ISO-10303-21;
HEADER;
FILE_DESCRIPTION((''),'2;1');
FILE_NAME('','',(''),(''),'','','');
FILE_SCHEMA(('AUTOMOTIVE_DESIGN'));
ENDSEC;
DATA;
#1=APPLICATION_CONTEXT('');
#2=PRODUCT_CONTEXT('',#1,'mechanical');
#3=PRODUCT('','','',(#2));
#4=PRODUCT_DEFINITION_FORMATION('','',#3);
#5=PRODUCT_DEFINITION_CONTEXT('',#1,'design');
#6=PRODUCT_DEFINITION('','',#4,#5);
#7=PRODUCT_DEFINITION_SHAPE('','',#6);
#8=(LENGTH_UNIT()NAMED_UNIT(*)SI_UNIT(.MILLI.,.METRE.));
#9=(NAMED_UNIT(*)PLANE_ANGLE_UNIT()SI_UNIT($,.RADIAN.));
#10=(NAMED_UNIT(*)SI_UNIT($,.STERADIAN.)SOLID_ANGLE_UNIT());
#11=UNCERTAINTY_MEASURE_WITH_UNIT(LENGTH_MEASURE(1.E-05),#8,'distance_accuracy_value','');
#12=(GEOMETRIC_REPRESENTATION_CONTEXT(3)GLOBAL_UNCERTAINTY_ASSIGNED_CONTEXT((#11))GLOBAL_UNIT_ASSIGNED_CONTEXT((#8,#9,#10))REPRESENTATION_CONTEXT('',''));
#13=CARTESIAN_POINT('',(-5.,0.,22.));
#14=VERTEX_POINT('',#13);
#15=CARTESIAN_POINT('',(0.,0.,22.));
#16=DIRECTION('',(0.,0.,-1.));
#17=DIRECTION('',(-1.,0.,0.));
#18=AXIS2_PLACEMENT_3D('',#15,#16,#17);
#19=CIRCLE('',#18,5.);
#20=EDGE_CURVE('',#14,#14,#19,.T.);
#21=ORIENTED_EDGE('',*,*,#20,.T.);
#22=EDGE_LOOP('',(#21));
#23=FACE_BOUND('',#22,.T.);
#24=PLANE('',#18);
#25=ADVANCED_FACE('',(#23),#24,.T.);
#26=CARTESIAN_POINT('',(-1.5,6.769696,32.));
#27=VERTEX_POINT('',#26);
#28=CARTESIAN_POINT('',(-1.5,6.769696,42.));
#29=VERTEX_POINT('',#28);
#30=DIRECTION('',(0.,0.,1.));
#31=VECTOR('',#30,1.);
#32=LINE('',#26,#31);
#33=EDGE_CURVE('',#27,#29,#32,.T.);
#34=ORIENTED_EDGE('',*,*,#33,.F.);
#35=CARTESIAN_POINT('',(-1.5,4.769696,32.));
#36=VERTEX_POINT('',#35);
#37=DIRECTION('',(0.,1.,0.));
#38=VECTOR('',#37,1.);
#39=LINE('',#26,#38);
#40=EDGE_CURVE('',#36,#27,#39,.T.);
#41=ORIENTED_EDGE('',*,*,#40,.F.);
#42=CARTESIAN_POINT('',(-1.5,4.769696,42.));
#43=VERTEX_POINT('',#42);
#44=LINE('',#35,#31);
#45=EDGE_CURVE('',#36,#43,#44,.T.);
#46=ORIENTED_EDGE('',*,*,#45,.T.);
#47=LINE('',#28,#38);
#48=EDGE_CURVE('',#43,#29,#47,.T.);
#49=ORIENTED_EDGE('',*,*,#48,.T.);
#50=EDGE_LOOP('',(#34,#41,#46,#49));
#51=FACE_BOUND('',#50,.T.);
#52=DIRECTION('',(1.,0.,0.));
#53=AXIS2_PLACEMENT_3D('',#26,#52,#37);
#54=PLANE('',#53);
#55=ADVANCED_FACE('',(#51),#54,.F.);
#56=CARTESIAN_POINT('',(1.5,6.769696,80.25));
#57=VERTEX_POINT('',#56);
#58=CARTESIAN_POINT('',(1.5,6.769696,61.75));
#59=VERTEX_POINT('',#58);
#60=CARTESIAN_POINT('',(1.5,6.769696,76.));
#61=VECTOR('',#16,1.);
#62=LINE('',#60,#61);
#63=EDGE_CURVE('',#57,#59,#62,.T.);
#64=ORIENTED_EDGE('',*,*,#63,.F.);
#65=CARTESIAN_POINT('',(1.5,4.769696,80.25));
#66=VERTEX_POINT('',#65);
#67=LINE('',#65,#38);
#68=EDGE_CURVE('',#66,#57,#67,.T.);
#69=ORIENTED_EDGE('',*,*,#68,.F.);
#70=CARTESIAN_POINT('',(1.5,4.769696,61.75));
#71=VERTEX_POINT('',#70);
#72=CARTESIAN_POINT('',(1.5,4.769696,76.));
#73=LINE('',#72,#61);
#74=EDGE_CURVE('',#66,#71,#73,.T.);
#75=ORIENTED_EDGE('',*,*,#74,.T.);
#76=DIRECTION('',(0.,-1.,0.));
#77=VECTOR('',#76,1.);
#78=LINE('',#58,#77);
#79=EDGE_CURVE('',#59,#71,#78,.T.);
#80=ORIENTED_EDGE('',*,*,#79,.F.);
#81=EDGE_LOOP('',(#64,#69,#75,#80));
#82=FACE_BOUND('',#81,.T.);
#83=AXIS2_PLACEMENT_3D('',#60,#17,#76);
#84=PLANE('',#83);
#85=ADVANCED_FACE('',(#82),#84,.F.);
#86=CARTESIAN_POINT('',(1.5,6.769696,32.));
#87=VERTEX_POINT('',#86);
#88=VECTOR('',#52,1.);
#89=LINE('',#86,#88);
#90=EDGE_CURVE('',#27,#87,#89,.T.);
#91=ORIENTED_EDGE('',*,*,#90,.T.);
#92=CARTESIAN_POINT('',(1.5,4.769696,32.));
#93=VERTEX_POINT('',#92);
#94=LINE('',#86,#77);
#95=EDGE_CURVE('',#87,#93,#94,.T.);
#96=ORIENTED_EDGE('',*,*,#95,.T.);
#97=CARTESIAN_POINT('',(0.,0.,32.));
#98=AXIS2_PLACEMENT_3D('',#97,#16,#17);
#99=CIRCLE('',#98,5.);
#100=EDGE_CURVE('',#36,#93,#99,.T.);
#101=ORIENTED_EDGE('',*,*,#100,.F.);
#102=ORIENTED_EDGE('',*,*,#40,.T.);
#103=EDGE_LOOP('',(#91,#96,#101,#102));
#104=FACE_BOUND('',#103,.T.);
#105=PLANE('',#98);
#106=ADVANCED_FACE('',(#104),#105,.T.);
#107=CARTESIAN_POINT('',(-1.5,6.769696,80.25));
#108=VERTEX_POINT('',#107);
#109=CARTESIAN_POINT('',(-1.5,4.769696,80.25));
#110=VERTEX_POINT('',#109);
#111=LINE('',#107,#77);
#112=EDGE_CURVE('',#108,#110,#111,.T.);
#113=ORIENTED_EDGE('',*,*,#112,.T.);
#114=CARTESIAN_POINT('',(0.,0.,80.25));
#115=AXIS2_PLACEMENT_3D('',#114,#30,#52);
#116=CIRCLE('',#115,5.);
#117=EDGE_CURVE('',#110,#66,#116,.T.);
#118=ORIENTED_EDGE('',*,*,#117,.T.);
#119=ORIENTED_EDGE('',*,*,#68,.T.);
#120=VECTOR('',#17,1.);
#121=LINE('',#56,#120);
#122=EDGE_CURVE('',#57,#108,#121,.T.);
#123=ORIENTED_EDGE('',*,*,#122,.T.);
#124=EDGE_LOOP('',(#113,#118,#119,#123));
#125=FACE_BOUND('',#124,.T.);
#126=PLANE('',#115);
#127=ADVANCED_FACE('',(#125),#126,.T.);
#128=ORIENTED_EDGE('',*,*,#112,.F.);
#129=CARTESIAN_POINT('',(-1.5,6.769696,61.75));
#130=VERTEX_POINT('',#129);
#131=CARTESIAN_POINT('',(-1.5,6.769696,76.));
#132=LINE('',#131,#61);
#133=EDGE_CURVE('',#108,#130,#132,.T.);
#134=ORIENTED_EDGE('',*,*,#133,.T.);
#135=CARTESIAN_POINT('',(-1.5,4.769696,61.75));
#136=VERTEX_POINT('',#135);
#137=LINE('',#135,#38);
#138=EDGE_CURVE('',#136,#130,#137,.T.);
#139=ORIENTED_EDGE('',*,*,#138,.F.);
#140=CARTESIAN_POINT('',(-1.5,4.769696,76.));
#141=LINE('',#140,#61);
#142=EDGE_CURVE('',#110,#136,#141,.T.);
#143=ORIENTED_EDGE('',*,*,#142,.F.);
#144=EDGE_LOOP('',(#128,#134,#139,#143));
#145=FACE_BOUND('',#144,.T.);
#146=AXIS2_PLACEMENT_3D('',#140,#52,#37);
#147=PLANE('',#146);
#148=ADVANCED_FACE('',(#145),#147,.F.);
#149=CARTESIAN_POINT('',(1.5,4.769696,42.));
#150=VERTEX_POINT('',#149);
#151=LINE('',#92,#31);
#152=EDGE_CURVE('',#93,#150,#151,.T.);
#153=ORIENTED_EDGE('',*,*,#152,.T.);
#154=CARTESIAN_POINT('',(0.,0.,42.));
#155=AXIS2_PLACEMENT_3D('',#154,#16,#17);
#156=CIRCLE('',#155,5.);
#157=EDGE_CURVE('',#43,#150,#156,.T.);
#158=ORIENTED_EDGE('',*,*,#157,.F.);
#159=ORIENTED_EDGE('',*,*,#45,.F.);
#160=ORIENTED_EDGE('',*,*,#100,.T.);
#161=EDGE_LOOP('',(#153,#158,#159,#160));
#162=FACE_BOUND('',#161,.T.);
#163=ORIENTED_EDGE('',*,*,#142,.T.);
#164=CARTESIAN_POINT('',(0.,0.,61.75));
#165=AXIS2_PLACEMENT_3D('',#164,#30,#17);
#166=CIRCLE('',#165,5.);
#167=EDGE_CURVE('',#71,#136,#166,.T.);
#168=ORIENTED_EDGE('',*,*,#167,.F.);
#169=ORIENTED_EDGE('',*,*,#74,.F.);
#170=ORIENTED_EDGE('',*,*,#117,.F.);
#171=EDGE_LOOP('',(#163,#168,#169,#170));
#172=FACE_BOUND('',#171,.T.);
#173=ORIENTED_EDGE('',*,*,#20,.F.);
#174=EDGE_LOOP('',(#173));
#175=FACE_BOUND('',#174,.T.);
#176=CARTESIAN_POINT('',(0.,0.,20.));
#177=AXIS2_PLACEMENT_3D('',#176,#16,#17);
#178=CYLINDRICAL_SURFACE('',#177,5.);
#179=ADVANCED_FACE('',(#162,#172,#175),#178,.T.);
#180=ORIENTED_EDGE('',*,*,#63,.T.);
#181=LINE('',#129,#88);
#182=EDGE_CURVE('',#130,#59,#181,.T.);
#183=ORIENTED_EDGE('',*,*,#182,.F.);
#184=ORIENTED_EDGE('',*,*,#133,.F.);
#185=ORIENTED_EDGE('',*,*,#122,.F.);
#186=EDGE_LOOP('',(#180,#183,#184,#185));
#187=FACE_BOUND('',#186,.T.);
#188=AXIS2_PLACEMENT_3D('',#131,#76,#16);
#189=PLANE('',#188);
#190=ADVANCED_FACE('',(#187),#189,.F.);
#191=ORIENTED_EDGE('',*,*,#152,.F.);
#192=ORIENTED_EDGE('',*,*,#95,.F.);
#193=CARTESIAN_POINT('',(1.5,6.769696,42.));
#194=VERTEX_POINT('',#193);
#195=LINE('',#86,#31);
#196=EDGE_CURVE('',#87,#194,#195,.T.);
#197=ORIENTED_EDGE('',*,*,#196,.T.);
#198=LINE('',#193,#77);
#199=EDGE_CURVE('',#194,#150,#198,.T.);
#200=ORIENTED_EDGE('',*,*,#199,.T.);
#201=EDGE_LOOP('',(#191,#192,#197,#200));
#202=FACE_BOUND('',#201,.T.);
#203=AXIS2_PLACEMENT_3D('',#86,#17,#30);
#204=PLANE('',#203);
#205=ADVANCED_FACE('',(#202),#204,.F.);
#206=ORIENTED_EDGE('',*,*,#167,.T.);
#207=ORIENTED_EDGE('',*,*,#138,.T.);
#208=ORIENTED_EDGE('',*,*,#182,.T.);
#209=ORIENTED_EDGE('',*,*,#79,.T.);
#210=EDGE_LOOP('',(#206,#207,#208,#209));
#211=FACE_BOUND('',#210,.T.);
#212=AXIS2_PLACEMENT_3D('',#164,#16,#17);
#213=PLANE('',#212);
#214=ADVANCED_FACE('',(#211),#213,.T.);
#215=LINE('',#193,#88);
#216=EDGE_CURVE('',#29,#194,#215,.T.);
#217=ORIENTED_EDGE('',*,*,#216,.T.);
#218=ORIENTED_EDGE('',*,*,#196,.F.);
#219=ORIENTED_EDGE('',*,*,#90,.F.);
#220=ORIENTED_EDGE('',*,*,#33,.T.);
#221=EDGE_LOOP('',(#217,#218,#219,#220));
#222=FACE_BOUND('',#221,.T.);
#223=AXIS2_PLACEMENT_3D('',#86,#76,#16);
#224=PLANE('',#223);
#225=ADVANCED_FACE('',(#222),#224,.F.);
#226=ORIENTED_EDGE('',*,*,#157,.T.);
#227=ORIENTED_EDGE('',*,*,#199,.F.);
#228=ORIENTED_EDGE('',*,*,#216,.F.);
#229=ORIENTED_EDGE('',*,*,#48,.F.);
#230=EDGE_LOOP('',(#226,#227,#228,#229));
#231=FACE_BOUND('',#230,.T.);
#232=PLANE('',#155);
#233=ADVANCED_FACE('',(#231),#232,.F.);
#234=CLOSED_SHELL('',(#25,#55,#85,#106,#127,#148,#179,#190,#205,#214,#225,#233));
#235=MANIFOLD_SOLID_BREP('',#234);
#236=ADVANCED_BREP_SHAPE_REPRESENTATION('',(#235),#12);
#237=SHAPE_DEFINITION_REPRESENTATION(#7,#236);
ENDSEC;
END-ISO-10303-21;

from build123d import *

# Parameters (mm, degrees)
SKETCH1_R            = 5
BOSS_EXTRUDE1_DEPTH  = 20
BOSS_EXTRUDE2_DEPTH  = 10
SKETCH4_R            = 5
BOSS_EXTRUDE3_DEPTH  = 27
BOSS_EXTRUDE4_DEPTH  = 19
SKETCH6_R            = 5
BOSS_EXTRUDE5_DEPTH  = 30
SKETCH7_R            = 5
CUT_EXTRUDE1_DEPTH   = 10
SKETCH8_R            = 6.933887
CUT_EXTRUDE2_DEPTH   = 35
SKETCH9_R            = 5
CUT_EXTRUDE3_DEPTH   = 12
SKETCH10_R           = 5
BOSS_EXTRUDE8_DEPTH  = 15
BOSS_EXTRUDE9_DEPTH  = 10
SKETCH12_R           = 5
BOSS_EXTRUDE10_DEPTH = 10
SKETCH13_R           = 5
CUT_EXTRUDE4_DEPTH   = 28
SKETCH20_R           = 5
CUT_EXTRUDE5_DEPTH   = 2
BOSS_EXTRUDE11_DEPTH = 4.25
CUT_EXTRUDE6_DEPTH   = 22.25
BOSS_EXTRUDE12_DEPTH = 17.5


with BuildPart() as part:
    # Sketch1 → Boss-Extrude1 (new body)
    with BuildSketch(Plane.XY):
        Circle(SKETCH1_R)
    extrude(amount=BOSS_EXTRUDE1_DEPTH)

    # Sketch3 → Boss-Extrude2 (add)
    with BuildSketch(Plane.XY.offset(20)):
        with BuildLine():
            Line((1.5, 6.769696), (-1.5, 6.769696))
            Line((-1.5, 6.769696), (-1.5, 4.769696))
            ThreePointArc((-1.5, 4.769696), (0, -5), (1.5, 4.769696))
            Line((1.5, 4.769696), (1.5, 6.769696))
        make_face()
    extrude(amount=BOSS_EXTRUDE2_DEPTH)

    # Sketch4 → Boss-Extrude3 (add)
    with BuildSketch(Plane.XY.offset(30)):
        Circle(SKETCH4_R)
    extrude(amount=BOSS_EXTRUDE3_DEPTH)

    # Sketch5 → Boss-Extrude4 (add)
    with BuildSketch(Plane.XY.offset(57)):
        with BuildLine():
            Line((-1.5, 4.769696), (-1.5, 6.769696))
            Line((-1.5, 6.769696), (1.5, 6.769696))
            Line((1.5, 6.769696), (1.5, 4.769696))
            ThreePointArc((1.5, 4.769696), (0, -5), (-1.5, 4.769696))
        make_face()
    extrude(amount=BOSS_EXTRUDE4_DEPTH)

    # Sketch6 → Boss-Extrude5 (add)
    with BuildSketch(Plane.XY.offset(76)):
        Circle(SKETCH6_R)
    extrude(amount=BOSS_EXTRUDE5_DEPTH)

    # Sketch7 → Cut-Extrude1 (cut)
    with BuildSketch(Plane(origin=(0, 0, 0), x_dir=(-1, 0, 0), z_dir=(0, 0, -1))):
        Circle(SKETCH7_R)
    extrude(amount=-CUT_EXTRUDE1_DEPTH, mode=Mode.SUBTRACT)

    # Sketch8 → Cut-Extrude2 (cut)
    with BuildSketch(Plane(origin=(0, 0, 10), x_dir=(-1, 0, 0), z_dir=(0, 0, -1))):
        Circle(SKETCH8_R)
    extrude(amount=-CUT_EXTRUDE2_DEPTH, mode=Mode.SUBTRACT)

    # Sketch9 → Cut-Extrude3 (cut)
    with BuildSketch(Plane(origin=(0, 0, 45), x_dir=(-1, 0, 0), z_dir=(0, 0, -1))):
        with Locations(Location((0, 0, 0), (0, 0, 72.542397))):
            Circle(SKETCH9_R)
    extrude(amount=-CUT_EXTRUDE3_DEPTH, mode=Mode.SUBTRACT)

    # Sketch10 → Boss-Extrude8 (add)
    with BuildSketch(Plane(origin=(0, 0, 57), x_dir=(-1, 0, 0), z_dir=(0, 0, -1))):
        Circle(SKETCH10_R)
    extrude(amount=BOSS_EXTRUDE8_DEPTH)

    # Sketch11 → Boss-Extrude9 (add)
    with BuildSketch(Plane(origin=(0, 0, 42), x_dir=(-1, 0, 0), z_dir=(0, 0, -1))):
        with BuildLine():
            Line((-1.5, 6.769696), (1.5, 6.769696))
            Line((1.5, 6.769696), (1.5, 4.769696))
            ThreePointArc((1.5, 4.769696), (0, -5), (-1.5, 4.769696))
            Line((-1.5, 4.769696), (-1.5, 6.769696))
        make_face()
    extrude(amount=BOSS_EXTRUDE9_DEPTH)

    # Sketch12 → Boss-Extrude10 (add)
    with BuildSketch(Plane(origin=(0, 0, 32), x_dir=(-1, 0, 0), z_dir=(0, 0, -1))):
        Circle(SKETCH12_R)
    extrude(amount=BOSS_EXTRUDE10_DEPTH)

    # Sketch13 → Cut-Extrude4 (cut)
    with BuildSketch(Plane.XY.offset(106)):
        with Locations(Location((0, 0, 0), (0, 0, 180))):
            Circle(SKETCH13_R)
    extrude(amount=-CUT_EXTRUDE4_DEPTH, mode=Mode.SUBTRACT)

    # Sketch20 → Cut-Extrude5 (cut)
    with BuildSketch(Plane.XY.offset(78)):
        with Locations(Location((0, 0, 0), (0, 0, 180))):
            Circle(SKETCH20_R)
    extrude(amount=-CUT_EXTRUDE5_DEPTH, mode=Mode.SUBTRACT)

    # Sketch21 → Boss-Extrude11 (add)
    with BuildSketch(Plane.XY.offset(76)):
        with BuildLine():
            Line((1.5, 4.769696), (1.5, 6.769696))
            Line((1.5, 6.769696), (-1.5, 6.769696))
            Line((-1.5, 6.769696), (-1.5, 4.769696))
            ThreePointArc((-1.5, 4.769696), (0, -5), (1.5, 4.769696))
        make_face()
    extrude(amount=BOSS_EXTRUDE11_DEPTH)

    # Sketch22 → Cut-Extrude6 (cut)
    with BuildSketch(Plane(origin=(0, 0, 57), x_dir=(-1, 0, 0), z_dir=(0, 0, -1))):
        with BuildLine():
            Line((1.5, 4.769696), (1.5, 6.769696))
            Line((1.5, 6.769696), (-1.5, 6.769696))
            Line((-1.5, 6.769696), (-1.5, 4.769696))
            ThreePointArc((-1.5, 4.769696), (0, 5), (1.5, 4.769696))
        make_face()
    extrude(amount=-CUT_EXTRUDE6_DEPTH, mode=Mode.SUBTRACT)

    # Sketch23 → Boss-Extrude12 (add)
    with BuildSketch(Plane(origin=(0, 0, 79.25), x_dir=(-1, 0, 0), z_dir=(0, 0, -1))):
        with BuildLine():
            Line((1.5, 4.769696), (1.5, 6.769696))
            Line((1.5, 6.769696), (-1.5, 6.769696))
            Line((-1.5, 6.769696), (-1.5, 4.769696))
            ThreePointArc((-1.5, 4.769696), (0, 5), (1.5, 4.769696))
        make_face()
    extrude(amount=BOSS_EXTRUDE12_DEPTH)


solid = part.part
